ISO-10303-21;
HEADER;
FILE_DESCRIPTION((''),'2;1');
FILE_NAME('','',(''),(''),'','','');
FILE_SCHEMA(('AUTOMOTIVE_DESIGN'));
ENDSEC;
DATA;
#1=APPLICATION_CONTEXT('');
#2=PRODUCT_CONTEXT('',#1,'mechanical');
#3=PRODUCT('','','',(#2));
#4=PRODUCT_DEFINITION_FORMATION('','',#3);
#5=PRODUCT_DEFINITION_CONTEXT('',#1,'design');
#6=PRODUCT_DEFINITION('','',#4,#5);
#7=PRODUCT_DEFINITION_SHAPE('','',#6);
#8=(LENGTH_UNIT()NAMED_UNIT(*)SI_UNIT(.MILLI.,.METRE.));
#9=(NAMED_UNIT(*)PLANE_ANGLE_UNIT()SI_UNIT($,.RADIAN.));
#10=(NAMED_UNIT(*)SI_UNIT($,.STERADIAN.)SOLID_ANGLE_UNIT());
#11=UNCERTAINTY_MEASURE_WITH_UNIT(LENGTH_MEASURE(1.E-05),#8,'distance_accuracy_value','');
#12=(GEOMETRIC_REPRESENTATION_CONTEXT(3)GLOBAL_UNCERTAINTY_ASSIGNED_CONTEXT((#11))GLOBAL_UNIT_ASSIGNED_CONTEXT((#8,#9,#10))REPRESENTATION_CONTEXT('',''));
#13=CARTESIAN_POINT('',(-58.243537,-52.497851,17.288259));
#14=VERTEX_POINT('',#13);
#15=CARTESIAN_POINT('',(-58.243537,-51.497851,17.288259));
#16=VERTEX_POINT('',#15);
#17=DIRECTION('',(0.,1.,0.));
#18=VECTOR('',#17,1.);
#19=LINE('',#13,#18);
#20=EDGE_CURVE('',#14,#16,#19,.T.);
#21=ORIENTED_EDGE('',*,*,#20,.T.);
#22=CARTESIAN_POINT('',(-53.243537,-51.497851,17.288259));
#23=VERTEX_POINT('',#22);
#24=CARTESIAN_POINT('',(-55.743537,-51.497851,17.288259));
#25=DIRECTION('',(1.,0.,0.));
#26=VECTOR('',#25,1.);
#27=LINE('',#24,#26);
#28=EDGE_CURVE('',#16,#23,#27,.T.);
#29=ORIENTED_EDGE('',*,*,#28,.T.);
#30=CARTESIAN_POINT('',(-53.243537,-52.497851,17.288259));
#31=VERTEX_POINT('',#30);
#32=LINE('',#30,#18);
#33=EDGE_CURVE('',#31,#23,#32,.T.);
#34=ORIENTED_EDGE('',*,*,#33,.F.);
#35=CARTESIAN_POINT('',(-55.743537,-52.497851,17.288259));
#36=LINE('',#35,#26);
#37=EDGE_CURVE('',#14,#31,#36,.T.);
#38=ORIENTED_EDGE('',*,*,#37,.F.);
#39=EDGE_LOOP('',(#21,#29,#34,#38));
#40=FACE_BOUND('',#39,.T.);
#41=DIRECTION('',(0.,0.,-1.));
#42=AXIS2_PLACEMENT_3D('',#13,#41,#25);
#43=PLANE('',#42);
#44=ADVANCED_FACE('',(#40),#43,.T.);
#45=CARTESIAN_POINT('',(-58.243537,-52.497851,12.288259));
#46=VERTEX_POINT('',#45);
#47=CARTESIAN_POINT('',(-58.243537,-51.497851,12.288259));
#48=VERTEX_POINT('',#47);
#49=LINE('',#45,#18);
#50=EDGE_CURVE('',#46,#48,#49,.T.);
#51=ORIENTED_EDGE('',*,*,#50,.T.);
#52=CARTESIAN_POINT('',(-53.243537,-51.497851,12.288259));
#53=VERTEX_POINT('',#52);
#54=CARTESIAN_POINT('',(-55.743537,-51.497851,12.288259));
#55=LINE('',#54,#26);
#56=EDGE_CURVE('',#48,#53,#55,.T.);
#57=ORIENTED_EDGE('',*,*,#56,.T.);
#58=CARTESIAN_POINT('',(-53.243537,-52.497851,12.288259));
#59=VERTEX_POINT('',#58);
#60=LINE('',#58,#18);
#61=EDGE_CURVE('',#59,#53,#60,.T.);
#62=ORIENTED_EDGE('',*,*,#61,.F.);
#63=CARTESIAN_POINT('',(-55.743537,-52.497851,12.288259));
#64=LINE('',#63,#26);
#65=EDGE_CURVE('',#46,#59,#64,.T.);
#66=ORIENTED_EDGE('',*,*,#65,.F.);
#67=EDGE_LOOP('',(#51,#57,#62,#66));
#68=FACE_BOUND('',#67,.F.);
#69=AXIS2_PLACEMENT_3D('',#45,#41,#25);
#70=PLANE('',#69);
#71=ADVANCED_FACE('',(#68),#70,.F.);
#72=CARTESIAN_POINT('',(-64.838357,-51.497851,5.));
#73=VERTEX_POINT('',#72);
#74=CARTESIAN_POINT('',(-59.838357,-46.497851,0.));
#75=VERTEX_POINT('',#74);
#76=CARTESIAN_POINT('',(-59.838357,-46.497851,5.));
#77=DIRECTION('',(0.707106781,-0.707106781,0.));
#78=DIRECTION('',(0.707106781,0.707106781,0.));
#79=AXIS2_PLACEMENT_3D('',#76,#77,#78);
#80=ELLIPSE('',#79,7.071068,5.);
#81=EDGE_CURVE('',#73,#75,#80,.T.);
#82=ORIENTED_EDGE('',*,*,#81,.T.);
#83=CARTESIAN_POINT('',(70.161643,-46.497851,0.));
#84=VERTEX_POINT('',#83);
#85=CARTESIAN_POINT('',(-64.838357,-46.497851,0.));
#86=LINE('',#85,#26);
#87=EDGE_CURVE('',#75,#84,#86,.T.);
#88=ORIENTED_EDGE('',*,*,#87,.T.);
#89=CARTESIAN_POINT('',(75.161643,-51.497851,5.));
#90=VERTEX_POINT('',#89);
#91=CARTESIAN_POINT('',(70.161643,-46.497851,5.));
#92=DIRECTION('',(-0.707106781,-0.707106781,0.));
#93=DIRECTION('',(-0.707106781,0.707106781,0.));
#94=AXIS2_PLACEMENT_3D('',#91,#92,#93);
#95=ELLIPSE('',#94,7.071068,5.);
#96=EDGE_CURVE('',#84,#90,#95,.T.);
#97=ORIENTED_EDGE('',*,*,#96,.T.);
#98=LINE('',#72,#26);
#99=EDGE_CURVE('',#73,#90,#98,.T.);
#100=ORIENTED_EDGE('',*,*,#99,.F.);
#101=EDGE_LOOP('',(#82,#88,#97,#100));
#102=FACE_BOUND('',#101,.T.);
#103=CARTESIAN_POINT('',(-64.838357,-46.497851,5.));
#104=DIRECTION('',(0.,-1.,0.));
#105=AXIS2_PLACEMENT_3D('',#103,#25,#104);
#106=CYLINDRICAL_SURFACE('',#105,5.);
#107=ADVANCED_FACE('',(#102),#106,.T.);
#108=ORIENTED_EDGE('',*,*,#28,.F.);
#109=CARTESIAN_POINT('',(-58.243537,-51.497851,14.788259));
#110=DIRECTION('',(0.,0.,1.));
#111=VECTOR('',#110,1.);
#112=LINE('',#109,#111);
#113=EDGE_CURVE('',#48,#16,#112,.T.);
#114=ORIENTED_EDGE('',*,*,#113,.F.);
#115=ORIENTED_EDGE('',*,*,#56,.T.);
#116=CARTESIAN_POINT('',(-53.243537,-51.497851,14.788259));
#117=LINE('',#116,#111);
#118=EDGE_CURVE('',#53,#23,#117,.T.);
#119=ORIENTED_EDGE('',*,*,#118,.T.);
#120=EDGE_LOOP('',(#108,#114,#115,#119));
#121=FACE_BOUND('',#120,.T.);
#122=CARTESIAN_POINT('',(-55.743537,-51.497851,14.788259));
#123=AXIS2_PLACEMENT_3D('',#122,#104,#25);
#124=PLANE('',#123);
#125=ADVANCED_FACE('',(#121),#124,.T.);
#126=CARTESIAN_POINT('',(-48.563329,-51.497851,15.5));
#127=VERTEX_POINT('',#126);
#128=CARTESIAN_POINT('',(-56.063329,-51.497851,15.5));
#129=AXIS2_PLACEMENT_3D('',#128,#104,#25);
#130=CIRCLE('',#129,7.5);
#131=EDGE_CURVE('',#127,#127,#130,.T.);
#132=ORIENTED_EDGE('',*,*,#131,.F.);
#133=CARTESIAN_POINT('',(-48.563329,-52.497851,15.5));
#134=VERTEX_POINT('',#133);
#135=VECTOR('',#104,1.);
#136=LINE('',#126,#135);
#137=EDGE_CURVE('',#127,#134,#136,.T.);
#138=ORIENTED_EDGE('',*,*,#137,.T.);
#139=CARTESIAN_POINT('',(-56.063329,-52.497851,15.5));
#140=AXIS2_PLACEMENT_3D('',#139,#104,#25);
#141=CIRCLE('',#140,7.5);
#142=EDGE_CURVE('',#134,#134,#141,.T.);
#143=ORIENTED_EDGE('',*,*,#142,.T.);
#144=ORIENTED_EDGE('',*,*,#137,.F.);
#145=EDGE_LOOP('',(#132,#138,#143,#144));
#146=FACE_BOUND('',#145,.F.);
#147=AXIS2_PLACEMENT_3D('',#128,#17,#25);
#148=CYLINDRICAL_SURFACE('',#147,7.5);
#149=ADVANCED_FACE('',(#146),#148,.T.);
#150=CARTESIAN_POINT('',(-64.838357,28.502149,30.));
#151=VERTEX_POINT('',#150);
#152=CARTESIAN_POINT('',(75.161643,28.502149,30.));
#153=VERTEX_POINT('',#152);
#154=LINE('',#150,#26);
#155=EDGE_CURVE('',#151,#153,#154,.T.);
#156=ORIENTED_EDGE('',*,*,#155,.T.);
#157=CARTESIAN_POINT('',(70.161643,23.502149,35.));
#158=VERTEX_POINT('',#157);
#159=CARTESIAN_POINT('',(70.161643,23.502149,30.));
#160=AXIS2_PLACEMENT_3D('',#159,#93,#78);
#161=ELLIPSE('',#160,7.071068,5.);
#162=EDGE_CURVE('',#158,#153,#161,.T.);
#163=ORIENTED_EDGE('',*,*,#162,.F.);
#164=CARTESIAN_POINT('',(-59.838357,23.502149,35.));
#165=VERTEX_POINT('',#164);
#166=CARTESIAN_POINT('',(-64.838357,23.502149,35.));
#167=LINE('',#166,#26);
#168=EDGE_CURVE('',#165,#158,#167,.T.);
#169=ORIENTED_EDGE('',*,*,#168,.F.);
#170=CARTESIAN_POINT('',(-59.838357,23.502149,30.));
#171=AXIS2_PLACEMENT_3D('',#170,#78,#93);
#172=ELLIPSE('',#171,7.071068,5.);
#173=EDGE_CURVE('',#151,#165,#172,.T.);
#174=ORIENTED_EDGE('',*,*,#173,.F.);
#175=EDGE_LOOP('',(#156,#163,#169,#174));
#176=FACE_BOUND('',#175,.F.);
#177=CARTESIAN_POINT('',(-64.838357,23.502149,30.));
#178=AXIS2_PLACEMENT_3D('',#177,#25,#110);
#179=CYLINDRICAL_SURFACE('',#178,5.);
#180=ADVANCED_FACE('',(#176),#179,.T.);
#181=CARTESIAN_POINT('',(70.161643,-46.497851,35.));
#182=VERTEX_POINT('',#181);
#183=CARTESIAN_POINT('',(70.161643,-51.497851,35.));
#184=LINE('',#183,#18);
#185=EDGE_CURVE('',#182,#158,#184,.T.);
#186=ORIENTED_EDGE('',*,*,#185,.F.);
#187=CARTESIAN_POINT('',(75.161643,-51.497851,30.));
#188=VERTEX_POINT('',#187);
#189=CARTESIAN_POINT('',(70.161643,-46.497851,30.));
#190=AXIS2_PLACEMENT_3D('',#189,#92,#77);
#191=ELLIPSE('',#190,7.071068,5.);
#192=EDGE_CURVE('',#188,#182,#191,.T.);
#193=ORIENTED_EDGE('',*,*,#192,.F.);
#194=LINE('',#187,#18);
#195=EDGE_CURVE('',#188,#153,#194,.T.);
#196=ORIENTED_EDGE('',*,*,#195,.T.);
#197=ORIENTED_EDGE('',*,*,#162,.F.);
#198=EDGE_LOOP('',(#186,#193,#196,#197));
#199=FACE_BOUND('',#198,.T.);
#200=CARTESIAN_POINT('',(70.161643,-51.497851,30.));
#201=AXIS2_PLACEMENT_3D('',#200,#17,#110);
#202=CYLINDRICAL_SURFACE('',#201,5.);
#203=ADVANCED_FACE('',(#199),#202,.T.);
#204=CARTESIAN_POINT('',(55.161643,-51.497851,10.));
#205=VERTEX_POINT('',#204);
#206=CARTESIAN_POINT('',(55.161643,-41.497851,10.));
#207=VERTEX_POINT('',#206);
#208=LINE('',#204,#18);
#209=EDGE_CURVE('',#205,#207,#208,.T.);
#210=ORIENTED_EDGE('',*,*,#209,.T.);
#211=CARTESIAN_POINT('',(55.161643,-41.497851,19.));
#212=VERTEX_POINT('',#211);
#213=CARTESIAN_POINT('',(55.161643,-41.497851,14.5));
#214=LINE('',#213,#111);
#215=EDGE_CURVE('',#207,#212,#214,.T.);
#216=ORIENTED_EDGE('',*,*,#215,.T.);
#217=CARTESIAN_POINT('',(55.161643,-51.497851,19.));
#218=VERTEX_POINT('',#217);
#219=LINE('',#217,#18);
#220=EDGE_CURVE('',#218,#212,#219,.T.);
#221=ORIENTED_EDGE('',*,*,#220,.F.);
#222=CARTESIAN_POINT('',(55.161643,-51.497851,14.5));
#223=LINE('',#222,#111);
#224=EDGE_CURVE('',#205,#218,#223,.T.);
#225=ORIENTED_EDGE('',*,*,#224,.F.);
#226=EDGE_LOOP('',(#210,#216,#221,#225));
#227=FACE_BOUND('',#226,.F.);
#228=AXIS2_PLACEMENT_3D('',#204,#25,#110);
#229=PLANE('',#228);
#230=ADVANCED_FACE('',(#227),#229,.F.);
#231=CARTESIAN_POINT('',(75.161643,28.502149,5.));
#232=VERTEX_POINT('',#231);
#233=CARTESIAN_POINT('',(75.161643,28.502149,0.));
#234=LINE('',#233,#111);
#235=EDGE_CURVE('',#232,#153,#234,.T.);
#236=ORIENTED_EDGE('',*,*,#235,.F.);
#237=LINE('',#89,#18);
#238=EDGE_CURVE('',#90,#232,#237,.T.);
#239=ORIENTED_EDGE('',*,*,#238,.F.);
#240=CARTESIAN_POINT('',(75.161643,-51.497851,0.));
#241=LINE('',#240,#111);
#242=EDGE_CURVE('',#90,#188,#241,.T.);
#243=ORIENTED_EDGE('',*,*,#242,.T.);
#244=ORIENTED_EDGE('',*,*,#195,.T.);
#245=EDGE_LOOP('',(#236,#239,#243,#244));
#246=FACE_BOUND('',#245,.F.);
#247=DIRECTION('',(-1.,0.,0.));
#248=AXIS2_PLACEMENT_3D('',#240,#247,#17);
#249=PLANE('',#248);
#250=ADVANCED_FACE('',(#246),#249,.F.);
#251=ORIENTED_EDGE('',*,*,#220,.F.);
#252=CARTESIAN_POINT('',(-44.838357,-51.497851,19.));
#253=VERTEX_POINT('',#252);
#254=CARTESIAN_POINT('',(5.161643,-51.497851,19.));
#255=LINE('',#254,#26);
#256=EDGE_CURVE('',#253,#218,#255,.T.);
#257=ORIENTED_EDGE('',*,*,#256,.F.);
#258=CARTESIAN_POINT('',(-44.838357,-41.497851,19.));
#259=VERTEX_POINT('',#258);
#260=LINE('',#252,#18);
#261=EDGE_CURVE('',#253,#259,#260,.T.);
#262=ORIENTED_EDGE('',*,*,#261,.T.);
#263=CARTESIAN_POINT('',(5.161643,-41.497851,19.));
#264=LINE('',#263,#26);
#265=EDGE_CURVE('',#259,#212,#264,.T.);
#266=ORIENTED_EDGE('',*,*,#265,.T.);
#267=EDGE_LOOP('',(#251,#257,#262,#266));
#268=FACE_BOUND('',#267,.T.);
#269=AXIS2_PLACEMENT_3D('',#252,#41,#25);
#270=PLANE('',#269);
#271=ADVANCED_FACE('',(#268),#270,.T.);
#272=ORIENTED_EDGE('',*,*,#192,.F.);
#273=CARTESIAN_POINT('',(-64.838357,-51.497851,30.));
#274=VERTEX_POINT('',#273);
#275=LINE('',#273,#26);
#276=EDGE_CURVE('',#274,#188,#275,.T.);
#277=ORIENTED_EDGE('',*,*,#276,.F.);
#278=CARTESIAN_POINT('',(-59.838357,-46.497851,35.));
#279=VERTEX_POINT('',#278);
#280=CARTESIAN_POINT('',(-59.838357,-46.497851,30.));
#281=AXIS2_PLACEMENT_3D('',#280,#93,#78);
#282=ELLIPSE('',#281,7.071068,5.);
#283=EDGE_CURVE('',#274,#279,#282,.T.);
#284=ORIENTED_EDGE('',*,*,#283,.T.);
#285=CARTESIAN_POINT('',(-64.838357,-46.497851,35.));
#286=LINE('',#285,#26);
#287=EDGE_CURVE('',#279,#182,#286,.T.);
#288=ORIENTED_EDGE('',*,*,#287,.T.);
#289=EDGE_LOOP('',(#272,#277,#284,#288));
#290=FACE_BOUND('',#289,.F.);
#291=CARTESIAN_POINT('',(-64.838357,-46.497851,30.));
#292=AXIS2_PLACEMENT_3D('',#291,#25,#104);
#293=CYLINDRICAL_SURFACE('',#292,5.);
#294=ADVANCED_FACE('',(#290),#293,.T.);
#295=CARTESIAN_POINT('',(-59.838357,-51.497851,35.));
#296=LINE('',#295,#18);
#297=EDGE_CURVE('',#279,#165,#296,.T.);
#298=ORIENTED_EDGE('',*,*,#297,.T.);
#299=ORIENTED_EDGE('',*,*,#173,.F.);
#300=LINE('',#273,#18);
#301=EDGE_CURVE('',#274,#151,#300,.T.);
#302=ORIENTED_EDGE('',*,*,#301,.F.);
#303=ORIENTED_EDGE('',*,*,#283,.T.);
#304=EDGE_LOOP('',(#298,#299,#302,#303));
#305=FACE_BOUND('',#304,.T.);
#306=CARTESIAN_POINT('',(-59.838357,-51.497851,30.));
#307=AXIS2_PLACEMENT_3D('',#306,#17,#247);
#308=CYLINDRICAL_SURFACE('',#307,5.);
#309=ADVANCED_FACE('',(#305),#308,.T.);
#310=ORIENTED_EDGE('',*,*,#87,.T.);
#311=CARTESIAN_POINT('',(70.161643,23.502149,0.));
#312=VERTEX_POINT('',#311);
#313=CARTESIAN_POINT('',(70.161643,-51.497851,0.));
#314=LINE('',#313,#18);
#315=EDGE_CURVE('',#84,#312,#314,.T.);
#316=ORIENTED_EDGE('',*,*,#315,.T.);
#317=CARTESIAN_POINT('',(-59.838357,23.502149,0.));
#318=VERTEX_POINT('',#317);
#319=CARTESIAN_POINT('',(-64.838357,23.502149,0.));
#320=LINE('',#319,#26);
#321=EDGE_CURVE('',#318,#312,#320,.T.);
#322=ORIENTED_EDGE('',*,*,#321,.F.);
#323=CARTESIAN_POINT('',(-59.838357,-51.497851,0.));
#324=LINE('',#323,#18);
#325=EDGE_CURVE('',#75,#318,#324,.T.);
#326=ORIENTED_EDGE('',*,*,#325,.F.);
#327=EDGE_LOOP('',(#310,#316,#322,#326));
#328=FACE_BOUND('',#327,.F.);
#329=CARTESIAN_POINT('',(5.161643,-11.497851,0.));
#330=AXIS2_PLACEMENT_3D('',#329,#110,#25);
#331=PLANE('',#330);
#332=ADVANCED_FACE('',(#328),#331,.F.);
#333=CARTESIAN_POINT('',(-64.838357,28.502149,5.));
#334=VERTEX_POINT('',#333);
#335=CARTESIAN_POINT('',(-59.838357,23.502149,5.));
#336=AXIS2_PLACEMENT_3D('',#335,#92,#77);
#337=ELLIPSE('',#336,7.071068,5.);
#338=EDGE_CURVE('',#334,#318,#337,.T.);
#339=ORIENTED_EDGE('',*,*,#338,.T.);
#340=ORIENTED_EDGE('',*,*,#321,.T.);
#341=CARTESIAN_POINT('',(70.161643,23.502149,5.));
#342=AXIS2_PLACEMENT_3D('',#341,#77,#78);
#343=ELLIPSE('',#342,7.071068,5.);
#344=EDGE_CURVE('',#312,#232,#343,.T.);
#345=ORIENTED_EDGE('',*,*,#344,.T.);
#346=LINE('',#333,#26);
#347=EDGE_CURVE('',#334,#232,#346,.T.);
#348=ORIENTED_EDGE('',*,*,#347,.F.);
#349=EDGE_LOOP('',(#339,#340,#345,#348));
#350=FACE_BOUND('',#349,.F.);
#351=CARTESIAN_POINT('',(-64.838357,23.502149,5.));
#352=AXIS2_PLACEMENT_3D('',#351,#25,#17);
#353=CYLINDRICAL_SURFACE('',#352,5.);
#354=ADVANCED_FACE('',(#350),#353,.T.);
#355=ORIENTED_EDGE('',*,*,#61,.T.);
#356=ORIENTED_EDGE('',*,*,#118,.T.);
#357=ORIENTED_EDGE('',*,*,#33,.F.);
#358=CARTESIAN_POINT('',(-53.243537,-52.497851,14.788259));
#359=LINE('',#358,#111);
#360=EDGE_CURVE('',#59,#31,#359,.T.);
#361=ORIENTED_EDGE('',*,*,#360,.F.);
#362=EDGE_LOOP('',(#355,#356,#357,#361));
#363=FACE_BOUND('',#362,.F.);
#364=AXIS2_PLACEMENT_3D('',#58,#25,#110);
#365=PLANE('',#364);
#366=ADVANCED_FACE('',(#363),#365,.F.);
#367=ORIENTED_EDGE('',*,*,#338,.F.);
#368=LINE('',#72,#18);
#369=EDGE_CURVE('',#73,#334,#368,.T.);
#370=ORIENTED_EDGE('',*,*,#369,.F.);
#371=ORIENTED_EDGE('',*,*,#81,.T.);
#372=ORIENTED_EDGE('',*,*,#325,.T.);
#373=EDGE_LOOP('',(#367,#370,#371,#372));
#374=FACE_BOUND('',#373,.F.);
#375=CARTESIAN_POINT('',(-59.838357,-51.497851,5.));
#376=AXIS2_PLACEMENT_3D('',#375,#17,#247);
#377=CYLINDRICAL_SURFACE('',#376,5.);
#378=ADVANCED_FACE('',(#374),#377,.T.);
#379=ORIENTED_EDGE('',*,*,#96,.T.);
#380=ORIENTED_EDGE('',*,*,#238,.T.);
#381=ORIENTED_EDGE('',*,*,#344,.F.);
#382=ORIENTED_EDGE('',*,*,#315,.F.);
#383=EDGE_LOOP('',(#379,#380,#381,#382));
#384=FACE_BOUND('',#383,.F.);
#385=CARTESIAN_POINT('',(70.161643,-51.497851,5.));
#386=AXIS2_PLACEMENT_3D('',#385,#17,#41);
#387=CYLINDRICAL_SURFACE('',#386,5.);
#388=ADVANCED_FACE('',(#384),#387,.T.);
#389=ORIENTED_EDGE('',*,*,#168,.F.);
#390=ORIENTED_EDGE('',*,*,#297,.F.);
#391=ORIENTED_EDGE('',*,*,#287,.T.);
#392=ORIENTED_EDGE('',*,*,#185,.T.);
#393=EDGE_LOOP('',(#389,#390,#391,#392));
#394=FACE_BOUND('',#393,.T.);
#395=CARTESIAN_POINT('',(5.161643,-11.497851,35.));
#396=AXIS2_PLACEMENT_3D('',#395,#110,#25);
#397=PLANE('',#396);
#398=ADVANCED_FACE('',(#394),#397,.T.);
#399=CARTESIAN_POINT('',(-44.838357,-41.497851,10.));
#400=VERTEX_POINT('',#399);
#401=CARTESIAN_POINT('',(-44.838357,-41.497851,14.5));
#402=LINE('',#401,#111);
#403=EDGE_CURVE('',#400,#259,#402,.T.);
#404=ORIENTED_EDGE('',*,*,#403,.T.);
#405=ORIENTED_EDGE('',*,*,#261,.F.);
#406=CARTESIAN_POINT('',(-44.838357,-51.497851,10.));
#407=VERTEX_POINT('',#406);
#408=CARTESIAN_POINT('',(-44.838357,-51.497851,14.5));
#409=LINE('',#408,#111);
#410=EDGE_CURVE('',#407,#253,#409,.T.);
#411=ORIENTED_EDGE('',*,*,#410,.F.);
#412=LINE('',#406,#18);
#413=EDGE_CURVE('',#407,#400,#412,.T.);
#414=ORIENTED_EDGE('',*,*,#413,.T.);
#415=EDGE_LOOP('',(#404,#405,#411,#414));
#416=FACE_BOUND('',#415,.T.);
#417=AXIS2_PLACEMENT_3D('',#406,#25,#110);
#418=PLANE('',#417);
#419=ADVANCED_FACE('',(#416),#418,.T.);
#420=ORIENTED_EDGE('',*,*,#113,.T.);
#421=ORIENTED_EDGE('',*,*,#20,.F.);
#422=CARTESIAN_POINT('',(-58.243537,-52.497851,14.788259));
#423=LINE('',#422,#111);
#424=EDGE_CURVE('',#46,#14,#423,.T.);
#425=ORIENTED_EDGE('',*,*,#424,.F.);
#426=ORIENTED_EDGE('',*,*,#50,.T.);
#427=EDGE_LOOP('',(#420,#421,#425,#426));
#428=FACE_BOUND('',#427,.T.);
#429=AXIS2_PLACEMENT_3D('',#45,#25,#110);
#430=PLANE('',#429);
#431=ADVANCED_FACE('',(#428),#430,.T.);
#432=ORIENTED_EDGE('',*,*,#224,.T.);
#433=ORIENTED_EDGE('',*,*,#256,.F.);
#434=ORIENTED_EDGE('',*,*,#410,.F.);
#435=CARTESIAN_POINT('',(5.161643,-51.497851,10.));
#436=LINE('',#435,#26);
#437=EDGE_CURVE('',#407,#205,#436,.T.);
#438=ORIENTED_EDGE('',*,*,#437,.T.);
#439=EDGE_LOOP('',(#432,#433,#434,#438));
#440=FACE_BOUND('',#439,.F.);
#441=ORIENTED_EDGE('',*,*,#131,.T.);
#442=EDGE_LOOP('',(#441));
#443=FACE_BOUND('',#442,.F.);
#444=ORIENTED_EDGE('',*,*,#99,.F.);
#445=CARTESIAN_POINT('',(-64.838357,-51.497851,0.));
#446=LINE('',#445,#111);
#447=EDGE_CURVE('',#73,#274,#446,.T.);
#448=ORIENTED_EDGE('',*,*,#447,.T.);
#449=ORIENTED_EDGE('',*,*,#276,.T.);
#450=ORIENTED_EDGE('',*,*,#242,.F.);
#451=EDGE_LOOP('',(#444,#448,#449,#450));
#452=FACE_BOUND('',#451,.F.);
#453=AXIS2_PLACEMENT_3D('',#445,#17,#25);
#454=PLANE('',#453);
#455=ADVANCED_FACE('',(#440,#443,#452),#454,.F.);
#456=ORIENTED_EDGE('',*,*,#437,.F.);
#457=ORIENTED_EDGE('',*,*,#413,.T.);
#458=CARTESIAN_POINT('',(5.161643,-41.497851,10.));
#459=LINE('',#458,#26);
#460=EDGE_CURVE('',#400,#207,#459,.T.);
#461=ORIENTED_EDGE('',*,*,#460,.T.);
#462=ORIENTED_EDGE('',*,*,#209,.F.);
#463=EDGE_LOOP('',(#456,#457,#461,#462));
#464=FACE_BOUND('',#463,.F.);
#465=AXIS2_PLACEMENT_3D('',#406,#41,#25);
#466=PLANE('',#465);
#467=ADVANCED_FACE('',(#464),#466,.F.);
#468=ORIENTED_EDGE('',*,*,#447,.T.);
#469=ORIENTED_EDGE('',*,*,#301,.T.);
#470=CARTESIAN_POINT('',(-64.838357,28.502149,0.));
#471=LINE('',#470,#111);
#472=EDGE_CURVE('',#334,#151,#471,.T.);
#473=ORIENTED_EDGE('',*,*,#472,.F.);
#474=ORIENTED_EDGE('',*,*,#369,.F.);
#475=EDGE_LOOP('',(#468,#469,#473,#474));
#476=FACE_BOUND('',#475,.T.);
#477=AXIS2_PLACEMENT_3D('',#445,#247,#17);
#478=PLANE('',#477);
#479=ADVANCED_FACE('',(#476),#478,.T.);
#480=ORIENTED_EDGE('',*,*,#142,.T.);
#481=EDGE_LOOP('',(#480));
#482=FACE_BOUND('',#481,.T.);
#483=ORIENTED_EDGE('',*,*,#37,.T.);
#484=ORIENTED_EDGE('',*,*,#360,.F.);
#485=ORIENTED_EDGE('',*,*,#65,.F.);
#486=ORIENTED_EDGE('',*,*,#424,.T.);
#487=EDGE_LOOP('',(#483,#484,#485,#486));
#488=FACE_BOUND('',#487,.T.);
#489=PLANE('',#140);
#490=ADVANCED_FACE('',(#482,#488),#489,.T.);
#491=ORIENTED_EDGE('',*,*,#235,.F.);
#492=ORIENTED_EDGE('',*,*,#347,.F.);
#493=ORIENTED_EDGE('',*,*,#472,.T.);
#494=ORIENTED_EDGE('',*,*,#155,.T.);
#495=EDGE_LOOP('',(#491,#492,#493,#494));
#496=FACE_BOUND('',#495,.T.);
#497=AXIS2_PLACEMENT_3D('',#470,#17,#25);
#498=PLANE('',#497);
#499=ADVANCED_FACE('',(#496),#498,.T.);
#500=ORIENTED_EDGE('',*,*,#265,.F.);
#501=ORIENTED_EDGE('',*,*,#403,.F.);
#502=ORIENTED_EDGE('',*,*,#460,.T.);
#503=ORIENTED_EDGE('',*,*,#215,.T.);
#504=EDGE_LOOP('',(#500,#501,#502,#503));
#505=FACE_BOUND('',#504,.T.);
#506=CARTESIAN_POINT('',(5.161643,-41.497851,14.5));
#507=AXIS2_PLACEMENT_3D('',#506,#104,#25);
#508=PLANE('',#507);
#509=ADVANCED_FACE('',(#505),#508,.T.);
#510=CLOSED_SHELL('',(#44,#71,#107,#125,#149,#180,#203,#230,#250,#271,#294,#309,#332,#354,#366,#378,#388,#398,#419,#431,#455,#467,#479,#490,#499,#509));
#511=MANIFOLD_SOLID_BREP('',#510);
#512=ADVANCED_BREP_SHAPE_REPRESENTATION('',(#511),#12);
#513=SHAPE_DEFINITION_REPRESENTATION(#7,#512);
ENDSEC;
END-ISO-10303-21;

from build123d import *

# Parameters (mm, degrees)
F0_W      = 140
F0_H      = 80
F1_DEPTH  = 35
F2_W      = 100
F2_H      = 9
F3_DEPTH  = 10
F5_R      = 5
F6_R      = 5
F7_R      = 7.5
F8_DEPTH  = 1
F9_W      = 5
F9_H      = 5
F10_DEPTH = 1


with BuildPart() as f1:
    # F0 (on Top) → F1 (new body)
    with BuildSketch(Plane.XY):
        with Locations((5.1616433263, -11.4978505671)):
            Rectangle(F0_W, F0_H)
    extrude(amount=F1_DEPTH)

    # F2 (on face) → F3 (cut)
    with BuildSketch(Plane.XZ.offset(51.4978505671)):
        with Locations((5.1616433263, 14.5)):
            Rectangle(F2_W, F2_H)
    extrude(amount=-F3_DEPTH, mode=Mode.SUBTRACT)

    # F5
    f5_edges = [f1.edges().sort_by_distance(p)[0] for p in [
        (75.161643, -11.497851, 0),
        (5.161643, -51.497851, 0),
        (5.161643, 28.502149, 0),
        (-64.838357, -11.497851, 0),
    ]]
    fillet(f5_edges, radius=F5_R)

    # F6
    f6_edges = [f1.edges().sort_by_distance(p)[0] for p in [
        (-64.838357, -11.497851, 35),
        (5.161643, 28.502149, 35),
        (5.161643, -51.497851, 35),
        (75.161643, -11.497851, 35),
    ]]
    fillet(f6_edges, radius=F6_R)

    # F7 (on face) → F8 (join)
    with BuildSketch(Plane.XZ.offset(51.4978505671)):
        with Locations((-56.063328834, 15.5)):
            Circle(F7_R)
    extrude(amount=F8_DEPTH)

    # F9 (on face) → F10 (cut)
    with BuildSketch(Plane.XZ.offset(52.4978505671)):
        with Locations((-55.7435365021, 14.7882593423)):
            Rectangle(F9_W, F9_H)
    extrude(amount=-F10_DEPTH, mode=Mode.SUBTRACT)


solid = f1.part
